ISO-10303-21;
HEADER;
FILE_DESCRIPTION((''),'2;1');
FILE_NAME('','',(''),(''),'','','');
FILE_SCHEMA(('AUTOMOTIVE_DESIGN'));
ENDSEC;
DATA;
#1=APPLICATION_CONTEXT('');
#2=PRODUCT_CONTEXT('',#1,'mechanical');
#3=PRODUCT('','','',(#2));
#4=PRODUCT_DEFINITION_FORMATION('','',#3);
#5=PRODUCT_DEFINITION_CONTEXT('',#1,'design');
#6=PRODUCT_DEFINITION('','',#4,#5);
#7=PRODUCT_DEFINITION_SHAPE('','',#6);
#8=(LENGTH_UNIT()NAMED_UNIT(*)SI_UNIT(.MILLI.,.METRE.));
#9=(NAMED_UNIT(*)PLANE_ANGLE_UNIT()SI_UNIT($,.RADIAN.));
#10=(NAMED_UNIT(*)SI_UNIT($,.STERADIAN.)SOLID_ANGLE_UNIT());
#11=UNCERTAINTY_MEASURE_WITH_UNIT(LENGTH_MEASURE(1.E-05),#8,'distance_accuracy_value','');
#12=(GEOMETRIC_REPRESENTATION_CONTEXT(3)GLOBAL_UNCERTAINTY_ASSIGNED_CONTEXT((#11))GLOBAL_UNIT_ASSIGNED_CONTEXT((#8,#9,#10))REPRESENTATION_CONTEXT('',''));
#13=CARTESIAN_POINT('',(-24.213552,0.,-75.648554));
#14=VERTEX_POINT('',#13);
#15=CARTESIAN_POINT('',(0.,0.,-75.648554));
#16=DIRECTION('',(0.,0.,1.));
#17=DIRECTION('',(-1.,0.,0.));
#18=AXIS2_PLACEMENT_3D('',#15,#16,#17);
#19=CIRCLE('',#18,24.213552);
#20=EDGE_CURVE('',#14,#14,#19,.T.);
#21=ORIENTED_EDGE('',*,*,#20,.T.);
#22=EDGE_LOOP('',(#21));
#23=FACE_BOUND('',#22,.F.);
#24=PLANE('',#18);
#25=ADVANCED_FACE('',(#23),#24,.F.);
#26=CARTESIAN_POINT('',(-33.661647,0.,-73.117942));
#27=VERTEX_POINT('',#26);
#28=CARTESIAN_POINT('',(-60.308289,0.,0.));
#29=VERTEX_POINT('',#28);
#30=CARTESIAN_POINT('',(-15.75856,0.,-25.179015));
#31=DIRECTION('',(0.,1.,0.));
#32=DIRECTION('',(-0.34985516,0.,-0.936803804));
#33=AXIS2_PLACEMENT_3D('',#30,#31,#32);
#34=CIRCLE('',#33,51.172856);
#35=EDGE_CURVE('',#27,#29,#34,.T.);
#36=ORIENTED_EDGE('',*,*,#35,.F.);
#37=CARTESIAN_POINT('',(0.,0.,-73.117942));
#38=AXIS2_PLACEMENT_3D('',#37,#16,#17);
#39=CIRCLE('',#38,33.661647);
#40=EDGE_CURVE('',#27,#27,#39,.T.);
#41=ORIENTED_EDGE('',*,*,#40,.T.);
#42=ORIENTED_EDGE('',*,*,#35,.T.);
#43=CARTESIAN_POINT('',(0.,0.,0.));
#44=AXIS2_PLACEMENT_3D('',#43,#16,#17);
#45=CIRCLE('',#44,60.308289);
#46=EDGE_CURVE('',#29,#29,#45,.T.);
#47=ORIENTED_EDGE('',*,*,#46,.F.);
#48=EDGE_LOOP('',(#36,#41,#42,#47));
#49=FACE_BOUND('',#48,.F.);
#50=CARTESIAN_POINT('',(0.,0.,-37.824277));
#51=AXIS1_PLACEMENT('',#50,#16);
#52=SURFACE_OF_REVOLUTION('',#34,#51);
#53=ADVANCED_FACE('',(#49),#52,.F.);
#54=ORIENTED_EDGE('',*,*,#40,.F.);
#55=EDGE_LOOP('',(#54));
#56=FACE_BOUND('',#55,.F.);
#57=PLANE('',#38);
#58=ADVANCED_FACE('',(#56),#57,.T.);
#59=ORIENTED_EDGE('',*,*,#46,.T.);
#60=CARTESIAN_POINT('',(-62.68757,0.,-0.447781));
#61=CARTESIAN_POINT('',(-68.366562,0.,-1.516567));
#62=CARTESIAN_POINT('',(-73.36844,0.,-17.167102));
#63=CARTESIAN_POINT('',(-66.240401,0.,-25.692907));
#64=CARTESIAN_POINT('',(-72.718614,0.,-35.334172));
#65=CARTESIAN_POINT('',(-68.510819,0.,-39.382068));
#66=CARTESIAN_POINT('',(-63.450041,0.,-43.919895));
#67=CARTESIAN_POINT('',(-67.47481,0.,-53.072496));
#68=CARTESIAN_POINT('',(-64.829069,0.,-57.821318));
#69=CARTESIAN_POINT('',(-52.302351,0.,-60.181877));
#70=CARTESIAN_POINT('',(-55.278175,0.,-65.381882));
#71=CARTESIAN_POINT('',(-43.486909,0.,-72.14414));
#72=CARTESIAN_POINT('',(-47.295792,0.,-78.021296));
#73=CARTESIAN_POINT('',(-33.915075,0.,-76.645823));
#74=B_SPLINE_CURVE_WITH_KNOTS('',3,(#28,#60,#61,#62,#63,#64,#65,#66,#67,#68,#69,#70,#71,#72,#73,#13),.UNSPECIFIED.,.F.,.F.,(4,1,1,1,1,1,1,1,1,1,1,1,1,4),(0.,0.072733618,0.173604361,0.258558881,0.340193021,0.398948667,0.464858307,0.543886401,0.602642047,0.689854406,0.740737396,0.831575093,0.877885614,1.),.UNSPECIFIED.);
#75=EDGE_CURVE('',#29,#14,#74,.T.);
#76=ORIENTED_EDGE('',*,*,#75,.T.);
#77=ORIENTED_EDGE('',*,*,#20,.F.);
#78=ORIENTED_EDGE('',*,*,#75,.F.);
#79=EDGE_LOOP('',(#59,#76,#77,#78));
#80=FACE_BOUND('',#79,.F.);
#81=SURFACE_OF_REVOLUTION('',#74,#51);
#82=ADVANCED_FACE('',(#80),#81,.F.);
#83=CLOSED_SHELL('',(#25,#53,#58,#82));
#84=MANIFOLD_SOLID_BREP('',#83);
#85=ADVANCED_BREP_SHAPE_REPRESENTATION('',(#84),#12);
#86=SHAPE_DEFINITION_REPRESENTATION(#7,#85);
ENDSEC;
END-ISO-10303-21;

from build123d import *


with BuildPart() as f1:
    # F0 (on Front) → F1 (revolve)
    with BuildSketch(Plane.XZ):
        with BuildLine():
            ThreePointArc((-33.6616473577, -73.117941618), (-63.8381491824, -42.7008378259), (-60.3082887828, 0))
            add(Edge.make_bspline(
                [(-60.3082887828, 0), (-62.687570302, -0.4477807484), (-68.366562465, -1.5165669935), (-73.3684396111, -17.1671017942), (-66.2404009377, -25.692906594), (-72.718613637, -35.3341715423), (-68.5108194248, -39.3820679903), (-63.4500405188, -43.9198946093), (-67.4748100662, -53.0724959822), (-64.8290690157, -57.8213177663), (-52.3023510017, -60.1818766616), (-55.2781750108, -65.381881595), (-43.4869086433, -72.1441398363), (-47.2957922103, -78.0212956371), (-33.9150751474, -76.6458230098), (-24.213552475, -75.6485536695)],
                knots=[0, 0, 0, 0, 0.0727336183, 0.1736043613, 0.258558881, 0.3401930207, 0.3989486672, 0.4648583071, 0.5438864008, 0.6026420473, 0.6898544058, 0.7407373958, 0.8315750931, 0.8778856137, 1, 1, 1, 1], degree=3))
            Line((-24.213552475, -75.6485536695), (0, -75.6485536695))
            Line((0, -75.6485536695), (0, -73.117941618))
            Line((0, -73.117941618), (-24.213552475, -73.117941618))
            Line((-24.213552475, -73.117941618), (-33.6616473577, -73.117941618))
        make_face()
    revolve(axis=Axis((0, 0, -37.8242768347), (0, 0, 1)))


solid = f1.part
